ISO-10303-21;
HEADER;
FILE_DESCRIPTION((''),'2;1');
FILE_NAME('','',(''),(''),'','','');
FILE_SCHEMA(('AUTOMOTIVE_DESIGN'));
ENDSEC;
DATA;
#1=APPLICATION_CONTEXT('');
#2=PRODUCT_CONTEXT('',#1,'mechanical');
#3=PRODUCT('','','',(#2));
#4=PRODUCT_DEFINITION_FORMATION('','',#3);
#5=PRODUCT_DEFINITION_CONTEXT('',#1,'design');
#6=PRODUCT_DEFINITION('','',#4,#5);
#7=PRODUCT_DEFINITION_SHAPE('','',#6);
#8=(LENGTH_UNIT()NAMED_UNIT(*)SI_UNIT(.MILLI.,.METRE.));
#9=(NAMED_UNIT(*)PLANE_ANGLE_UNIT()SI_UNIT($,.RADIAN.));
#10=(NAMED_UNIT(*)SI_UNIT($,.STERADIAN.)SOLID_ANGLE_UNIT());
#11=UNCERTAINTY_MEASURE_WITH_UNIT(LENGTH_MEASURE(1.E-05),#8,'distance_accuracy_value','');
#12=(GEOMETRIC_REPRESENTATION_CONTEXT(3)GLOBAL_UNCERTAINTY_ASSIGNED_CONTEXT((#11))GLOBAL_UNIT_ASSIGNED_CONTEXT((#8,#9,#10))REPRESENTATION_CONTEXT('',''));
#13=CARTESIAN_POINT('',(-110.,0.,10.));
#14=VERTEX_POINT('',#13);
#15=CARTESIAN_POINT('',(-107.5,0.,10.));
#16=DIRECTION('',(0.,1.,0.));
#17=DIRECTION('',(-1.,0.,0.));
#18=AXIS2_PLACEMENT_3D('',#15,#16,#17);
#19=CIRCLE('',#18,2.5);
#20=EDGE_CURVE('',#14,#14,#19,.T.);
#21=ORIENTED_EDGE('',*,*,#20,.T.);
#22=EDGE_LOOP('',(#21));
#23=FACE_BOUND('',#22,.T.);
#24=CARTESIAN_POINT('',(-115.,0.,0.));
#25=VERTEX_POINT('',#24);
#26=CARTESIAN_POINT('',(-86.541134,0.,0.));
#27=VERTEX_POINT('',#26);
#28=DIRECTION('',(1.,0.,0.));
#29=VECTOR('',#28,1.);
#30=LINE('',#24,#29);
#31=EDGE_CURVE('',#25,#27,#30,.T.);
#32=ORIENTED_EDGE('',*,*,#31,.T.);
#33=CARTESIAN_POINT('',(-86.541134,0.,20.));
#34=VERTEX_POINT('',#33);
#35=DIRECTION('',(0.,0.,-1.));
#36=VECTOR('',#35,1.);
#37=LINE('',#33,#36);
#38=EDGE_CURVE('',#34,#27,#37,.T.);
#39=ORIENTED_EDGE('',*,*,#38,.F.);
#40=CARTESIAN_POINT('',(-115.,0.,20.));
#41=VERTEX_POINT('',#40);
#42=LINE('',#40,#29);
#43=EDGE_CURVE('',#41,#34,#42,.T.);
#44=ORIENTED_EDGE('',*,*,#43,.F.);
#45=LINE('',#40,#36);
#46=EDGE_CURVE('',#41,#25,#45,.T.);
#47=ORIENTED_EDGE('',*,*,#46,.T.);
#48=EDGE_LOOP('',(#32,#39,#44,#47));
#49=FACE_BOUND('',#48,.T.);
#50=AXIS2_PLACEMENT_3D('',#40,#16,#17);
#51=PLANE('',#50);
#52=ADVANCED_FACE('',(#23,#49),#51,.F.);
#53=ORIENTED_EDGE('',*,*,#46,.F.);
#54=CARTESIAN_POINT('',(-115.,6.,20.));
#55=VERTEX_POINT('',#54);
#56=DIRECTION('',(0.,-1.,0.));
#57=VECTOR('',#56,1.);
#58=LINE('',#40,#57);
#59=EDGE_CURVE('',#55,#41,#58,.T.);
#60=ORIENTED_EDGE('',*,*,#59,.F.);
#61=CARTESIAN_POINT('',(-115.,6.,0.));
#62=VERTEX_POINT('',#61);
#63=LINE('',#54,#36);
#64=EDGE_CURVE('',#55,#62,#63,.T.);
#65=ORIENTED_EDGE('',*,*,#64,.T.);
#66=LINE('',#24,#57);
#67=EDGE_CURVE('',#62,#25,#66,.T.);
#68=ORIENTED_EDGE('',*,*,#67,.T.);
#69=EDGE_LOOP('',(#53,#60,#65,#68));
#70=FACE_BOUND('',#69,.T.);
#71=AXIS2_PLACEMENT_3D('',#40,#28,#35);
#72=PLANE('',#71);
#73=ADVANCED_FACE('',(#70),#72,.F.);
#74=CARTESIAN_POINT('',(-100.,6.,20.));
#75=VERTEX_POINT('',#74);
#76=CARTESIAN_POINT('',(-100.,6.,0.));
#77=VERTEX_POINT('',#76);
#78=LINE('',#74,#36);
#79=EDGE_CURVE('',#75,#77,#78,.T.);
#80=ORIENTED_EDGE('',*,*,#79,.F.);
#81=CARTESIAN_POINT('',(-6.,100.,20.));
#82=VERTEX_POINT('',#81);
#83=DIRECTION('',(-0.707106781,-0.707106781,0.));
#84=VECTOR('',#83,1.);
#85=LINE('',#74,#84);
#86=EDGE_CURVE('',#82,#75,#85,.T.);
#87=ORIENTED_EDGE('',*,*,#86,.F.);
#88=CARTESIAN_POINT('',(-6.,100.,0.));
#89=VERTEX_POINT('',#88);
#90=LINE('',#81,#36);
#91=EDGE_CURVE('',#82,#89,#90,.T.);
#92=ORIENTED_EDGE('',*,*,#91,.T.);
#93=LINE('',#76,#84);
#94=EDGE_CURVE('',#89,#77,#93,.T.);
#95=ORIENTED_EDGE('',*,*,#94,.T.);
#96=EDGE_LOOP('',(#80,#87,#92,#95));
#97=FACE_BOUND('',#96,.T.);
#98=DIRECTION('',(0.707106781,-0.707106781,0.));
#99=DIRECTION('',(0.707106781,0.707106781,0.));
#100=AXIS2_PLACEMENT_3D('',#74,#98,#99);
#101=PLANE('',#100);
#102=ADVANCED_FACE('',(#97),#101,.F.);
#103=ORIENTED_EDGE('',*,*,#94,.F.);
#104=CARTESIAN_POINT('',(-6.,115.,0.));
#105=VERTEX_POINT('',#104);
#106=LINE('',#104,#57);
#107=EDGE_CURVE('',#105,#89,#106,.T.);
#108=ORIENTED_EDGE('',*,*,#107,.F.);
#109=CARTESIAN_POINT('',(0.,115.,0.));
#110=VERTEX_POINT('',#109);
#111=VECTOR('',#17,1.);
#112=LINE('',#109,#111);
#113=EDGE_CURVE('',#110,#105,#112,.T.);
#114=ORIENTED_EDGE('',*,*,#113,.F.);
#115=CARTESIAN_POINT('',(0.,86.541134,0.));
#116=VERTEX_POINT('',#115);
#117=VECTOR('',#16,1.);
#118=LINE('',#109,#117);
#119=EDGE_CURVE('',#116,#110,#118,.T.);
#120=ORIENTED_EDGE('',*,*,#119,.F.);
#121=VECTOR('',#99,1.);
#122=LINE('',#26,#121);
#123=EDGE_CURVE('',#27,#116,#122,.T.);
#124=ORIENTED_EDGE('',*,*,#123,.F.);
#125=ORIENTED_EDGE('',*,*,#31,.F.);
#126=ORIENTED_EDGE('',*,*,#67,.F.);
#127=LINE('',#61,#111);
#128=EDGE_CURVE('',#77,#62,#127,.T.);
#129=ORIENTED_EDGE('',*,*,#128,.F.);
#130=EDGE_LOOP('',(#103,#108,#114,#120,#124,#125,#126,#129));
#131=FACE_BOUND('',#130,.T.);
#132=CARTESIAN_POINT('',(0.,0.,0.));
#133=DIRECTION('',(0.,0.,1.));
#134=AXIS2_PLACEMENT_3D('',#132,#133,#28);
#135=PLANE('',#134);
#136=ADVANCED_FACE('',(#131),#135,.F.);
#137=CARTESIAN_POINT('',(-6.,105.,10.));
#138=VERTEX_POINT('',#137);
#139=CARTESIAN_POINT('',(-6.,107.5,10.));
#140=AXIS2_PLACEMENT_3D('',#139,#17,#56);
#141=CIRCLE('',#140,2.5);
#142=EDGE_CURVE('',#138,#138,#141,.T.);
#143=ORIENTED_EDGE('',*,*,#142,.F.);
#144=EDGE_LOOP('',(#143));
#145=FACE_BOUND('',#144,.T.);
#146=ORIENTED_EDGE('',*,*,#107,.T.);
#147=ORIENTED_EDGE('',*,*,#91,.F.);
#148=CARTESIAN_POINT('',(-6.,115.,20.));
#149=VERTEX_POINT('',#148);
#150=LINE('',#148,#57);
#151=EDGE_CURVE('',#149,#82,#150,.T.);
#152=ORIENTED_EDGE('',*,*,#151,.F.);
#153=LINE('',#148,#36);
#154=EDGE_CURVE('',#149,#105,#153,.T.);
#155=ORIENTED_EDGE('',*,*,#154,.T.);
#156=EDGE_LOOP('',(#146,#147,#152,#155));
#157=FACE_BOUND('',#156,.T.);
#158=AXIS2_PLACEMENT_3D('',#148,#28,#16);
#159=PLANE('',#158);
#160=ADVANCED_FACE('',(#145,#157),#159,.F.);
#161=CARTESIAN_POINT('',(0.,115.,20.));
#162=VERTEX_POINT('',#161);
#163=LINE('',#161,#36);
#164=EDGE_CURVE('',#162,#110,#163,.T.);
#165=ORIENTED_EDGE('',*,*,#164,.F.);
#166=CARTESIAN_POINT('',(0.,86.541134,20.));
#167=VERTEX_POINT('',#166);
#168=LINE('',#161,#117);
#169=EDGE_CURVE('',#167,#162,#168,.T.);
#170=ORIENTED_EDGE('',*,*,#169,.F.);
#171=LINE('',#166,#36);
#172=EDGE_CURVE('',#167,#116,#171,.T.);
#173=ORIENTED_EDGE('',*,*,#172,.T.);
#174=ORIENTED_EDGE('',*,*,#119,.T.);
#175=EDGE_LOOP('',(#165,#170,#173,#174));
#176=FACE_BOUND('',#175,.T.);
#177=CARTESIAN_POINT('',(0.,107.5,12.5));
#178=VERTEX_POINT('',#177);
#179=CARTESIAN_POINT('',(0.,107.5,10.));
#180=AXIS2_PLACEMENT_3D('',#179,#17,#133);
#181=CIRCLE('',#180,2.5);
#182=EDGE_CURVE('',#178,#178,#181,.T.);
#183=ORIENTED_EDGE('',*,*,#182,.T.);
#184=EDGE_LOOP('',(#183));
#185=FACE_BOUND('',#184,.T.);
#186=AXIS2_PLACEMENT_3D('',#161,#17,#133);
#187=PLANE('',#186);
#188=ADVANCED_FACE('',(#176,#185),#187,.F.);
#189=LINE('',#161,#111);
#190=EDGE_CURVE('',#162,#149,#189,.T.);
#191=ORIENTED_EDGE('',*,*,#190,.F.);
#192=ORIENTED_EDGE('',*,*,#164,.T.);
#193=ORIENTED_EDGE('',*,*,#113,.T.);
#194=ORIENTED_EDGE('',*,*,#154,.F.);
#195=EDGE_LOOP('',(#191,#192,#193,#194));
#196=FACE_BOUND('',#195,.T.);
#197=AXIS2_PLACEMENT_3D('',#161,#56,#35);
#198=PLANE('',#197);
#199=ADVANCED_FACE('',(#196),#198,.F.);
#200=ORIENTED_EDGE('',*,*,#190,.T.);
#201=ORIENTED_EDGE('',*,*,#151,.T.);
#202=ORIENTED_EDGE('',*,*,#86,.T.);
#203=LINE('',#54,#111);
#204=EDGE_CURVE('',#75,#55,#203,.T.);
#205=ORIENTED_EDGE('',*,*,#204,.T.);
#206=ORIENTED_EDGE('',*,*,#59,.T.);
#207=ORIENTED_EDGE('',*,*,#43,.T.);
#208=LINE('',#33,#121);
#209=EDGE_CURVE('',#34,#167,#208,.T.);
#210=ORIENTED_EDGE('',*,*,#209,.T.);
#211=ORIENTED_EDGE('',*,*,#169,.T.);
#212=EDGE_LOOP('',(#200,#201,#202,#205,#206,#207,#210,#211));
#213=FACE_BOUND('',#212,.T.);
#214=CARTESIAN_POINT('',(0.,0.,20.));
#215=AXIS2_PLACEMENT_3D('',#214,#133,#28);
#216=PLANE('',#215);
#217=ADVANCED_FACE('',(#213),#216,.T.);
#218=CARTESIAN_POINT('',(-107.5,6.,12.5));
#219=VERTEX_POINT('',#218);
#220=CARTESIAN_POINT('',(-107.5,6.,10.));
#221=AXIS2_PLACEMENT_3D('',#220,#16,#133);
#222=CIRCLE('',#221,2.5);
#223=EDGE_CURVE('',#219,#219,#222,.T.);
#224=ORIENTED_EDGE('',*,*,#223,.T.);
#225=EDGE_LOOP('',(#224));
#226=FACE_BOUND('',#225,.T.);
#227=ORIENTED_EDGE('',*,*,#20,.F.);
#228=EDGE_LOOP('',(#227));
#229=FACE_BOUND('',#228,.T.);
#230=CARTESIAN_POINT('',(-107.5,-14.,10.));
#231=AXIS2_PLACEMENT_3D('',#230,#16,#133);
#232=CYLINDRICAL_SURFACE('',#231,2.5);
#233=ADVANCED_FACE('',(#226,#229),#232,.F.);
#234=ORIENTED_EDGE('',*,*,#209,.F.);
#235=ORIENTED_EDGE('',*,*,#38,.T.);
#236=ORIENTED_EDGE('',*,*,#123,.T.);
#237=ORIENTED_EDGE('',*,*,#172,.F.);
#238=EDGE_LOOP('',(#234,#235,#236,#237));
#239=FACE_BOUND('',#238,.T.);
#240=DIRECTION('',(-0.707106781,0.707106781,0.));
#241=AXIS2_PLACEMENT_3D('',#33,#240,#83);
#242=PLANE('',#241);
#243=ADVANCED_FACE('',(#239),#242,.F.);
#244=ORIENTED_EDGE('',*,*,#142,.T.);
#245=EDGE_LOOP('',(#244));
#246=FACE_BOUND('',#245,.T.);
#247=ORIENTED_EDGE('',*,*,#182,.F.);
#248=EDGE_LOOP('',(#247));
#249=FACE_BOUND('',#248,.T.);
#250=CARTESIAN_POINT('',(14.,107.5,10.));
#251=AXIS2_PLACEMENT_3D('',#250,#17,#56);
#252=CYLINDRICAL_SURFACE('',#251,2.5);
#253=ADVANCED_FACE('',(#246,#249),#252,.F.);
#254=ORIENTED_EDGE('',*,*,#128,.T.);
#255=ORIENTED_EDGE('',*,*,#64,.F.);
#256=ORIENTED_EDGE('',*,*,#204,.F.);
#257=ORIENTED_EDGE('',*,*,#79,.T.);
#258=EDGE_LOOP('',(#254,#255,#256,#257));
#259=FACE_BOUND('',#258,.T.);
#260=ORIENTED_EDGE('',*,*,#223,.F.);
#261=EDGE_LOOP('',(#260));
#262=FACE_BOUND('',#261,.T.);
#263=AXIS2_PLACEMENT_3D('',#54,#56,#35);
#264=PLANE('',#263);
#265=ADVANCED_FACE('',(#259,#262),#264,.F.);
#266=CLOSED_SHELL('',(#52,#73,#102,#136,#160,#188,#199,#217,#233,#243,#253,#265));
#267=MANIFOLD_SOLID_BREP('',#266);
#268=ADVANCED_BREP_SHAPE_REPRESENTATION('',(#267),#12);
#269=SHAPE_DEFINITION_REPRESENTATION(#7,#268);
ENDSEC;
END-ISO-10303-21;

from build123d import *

# Parameters (mm, degrees)
BOSS_EXTRUDE1_DEPTH = 20
SKETCH3_R           = 2.5
CUT_EXTRUDE1_DEPTH  = 20
SKETCH4_R           = 2.5
CUT_EXTRUDE2_DEPTH  = 20


with BuildPart() as part:
    # Sketch2 → Boss-Extrude1 (new body)
    with BuildSketch(Plane.XY):
        Polygon((-115, 0), (-115, 6), (-100, 6), (-6, 100), (-6, 115), (0, 115), (0, 86.541134144), (-86.541134144, 0), align=None)
    extrude(amount=BOSS_EXTRUDE1_DEPTH)

    # Sketch3 → Cut-Extrude1 (cut)
    with BuildSketch(Plane.ZY.offset(6)):
        with Locations((10, 107.5)):
            Circle(SKETCH3_R)
    extrude(amount=-CUT_EXTRUDE1_DEPTH, mode=Mode.SUBTRACT)

    # Sketch4 → Cut-Extrude2 (cut)
    with BuildSketch(Plane(origin=(0, 6, 0), x_dir=(1, 0, 0), z_dir=(0, 1, 0))):
        with Locations((-107.5, -10)):
            Circle(SKETCH4_R)
    extrude(amount=-CUT_EXTRUDE2_DEPTH, mode=Mode.SUBTRACT)


solid = part.part
